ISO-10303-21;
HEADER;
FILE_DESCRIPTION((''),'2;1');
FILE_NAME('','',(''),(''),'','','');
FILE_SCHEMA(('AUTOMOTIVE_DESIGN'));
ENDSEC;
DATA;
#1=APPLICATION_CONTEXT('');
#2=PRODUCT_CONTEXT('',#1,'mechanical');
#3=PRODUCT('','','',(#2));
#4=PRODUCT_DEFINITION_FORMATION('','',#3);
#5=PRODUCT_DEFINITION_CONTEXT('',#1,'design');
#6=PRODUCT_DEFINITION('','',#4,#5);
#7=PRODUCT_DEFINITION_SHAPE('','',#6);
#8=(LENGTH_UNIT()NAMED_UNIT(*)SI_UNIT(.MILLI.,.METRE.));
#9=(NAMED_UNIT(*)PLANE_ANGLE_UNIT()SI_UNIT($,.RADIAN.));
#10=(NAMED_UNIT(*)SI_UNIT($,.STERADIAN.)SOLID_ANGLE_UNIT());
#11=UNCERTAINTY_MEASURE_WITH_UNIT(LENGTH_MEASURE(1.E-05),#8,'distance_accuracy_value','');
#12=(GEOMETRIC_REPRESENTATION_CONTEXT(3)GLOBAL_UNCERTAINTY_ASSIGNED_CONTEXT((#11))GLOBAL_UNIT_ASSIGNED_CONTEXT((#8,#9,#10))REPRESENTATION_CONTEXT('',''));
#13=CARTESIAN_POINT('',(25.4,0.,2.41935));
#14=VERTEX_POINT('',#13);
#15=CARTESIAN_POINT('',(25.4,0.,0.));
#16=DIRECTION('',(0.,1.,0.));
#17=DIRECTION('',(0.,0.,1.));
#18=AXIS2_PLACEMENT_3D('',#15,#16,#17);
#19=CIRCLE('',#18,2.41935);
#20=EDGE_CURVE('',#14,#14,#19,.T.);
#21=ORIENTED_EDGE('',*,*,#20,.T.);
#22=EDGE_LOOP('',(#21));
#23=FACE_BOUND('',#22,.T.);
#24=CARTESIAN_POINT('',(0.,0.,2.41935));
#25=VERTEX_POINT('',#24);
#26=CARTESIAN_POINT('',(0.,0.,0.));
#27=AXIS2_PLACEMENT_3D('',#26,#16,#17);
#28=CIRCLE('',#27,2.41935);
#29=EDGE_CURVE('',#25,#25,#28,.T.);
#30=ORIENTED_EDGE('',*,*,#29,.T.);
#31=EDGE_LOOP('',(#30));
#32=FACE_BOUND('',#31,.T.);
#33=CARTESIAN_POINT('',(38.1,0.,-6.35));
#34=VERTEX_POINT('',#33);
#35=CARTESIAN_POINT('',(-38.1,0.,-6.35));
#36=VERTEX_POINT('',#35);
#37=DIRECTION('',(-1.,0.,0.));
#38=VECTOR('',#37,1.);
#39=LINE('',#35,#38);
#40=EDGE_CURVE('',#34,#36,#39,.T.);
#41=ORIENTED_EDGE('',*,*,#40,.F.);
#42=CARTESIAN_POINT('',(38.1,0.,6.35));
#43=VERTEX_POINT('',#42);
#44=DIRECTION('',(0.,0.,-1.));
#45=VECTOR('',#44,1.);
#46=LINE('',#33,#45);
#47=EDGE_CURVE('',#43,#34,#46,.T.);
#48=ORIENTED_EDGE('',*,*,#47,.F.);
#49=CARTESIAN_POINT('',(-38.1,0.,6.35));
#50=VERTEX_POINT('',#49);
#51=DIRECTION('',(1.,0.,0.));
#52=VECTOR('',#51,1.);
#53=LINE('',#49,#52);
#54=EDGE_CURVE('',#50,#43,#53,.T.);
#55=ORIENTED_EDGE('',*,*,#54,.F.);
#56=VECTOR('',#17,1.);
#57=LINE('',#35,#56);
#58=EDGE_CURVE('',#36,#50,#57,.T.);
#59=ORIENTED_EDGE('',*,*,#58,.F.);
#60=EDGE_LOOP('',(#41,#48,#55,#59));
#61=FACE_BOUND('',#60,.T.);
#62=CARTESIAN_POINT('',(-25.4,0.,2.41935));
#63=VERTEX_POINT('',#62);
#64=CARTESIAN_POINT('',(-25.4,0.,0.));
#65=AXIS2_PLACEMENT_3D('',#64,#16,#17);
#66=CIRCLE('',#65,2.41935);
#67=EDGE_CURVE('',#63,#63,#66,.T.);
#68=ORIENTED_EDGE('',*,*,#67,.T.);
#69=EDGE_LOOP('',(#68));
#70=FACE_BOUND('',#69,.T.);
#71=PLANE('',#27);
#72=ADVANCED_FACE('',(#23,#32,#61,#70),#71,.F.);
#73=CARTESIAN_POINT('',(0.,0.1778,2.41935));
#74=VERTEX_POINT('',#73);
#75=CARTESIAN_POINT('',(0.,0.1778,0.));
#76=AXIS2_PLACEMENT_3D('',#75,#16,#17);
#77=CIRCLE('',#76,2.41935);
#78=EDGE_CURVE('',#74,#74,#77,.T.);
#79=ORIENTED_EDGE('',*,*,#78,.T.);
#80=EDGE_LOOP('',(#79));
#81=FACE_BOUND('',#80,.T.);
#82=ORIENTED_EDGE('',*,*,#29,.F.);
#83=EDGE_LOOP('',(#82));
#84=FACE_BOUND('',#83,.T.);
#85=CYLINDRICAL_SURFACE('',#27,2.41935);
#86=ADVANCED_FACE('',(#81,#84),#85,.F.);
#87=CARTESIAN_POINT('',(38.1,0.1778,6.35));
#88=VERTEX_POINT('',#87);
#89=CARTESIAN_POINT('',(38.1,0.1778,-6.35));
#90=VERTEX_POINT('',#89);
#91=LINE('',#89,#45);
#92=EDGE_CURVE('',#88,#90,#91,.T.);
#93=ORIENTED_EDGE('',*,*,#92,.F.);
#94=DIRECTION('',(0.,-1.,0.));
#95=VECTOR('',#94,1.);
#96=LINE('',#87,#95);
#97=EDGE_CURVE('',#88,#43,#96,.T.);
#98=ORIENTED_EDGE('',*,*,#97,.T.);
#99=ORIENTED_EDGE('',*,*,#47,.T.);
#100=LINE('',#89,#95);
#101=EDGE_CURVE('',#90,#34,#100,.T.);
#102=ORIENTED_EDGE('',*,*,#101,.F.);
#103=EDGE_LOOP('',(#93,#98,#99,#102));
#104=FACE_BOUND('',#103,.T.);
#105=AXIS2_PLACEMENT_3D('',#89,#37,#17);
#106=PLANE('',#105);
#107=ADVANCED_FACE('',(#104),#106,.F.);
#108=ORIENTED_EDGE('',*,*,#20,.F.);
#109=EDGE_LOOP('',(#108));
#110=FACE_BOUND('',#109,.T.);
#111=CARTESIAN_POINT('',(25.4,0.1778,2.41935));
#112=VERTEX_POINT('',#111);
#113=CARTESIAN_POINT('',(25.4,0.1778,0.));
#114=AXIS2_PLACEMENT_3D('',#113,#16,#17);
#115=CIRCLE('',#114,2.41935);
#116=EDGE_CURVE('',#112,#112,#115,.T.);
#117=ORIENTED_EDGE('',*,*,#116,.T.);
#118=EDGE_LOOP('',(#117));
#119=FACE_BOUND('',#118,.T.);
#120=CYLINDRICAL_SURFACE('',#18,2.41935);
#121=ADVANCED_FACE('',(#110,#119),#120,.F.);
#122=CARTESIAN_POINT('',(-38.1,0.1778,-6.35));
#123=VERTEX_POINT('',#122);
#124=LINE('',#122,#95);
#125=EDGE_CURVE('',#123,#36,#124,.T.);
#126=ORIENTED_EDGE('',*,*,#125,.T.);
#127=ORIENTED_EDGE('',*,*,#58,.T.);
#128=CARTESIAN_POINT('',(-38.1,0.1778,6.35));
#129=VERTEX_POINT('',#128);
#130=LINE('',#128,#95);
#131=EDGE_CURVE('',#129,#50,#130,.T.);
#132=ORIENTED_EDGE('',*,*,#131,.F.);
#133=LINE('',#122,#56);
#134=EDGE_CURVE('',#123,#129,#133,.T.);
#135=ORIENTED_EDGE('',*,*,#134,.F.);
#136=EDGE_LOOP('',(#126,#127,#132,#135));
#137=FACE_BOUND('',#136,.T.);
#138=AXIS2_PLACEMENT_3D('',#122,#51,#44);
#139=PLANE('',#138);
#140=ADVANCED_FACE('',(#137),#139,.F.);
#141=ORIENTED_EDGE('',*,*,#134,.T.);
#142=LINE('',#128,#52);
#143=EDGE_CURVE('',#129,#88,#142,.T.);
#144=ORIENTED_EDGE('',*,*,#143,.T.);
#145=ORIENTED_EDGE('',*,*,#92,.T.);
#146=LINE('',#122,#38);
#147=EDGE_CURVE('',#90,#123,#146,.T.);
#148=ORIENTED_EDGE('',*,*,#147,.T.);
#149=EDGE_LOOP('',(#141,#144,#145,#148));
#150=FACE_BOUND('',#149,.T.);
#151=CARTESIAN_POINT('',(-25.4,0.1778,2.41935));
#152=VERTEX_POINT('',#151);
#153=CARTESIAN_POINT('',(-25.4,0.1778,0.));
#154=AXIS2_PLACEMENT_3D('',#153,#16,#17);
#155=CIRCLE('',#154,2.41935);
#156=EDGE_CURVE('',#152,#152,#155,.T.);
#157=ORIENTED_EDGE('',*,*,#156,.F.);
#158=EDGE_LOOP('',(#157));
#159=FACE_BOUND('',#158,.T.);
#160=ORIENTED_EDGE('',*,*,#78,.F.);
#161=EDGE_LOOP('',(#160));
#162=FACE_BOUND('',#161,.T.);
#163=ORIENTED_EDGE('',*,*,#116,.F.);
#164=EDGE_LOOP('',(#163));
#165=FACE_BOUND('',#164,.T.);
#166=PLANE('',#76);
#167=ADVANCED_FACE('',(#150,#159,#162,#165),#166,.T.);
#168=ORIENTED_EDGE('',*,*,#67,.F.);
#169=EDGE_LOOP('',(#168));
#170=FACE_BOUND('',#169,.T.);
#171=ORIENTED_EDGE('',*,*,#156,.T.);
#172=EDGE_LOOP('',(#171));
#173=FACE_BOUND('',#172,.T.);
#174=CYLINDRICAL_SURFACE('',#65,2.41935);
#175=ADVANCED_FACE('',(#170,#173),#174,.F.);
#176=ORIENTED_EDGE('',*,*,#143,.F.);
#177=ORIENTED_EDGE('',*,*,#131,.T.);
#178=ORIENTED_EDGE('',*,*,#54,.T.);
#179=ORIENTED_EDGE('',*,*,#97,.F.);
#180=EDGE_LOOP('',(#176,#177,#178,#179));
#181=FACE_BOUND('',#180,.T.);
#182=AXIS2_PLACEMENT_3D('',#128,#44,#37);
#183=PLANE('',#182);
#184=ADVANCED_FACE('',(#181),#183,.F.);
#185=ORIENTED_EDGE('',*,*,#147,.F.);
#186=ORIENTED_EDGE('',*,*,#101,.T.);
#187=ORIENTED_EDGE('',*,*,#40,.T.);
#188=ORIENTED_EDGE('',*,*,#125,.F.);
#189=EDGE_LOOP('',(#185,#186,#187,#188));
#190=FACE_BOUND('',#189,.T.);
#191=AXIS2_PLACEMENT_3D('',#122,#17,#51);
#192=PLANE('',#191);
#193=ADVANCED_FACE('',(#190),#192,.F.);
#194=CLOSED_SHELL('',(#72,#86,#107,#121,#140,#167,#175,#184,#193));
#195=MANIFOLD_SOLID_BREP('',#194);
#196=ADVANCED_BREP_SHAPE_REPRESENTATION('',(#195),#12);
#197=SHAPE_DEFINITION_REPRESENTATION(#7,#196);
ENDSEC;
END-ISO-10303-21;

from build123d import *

# Parameters (mm, degrees)
SKETCH1_W           = 76.2
SKETCH1_H           = 12.7
BOSS_EXTRUDE1_DEPTH = 0.1778
SKETCH2_R           = 2.41935
CUT_EXTRUDE1_DEPTH  = 1.1778


with BuildPart() as part:
    # Sketch1 → Boss-Extrude1 (new body)
    with BuildSketch(Plane(origin=(0, 0, 0), x_dir=(1, 0, 0), z_dir=(0, 1, 0))):
        Rectangle(SKETCH1_W, SKETCH1_H)
    extrude(amount=BOSS_EXTRUDE1_DEPTH)

    # Sketch2 → Cut-Extrude1 (cut, through all)
    with BuildSketch(Plane(origin=(0, 0.1778, 0), x_dir=(1, 0, 0), z_dir=(0, 1, 0))):
        Circle(SKETCH2_R)
        with Locations((-25.4, 0)):
            Circle(SKETCH2_R)
        with Locations((25.4, 0)):
            Circle(SKETCH2_R)
    extrude(amount=-CUT_EXTRUDE1_DEPTH, mode=Mode.SUBTRACT)


solid = part.part
